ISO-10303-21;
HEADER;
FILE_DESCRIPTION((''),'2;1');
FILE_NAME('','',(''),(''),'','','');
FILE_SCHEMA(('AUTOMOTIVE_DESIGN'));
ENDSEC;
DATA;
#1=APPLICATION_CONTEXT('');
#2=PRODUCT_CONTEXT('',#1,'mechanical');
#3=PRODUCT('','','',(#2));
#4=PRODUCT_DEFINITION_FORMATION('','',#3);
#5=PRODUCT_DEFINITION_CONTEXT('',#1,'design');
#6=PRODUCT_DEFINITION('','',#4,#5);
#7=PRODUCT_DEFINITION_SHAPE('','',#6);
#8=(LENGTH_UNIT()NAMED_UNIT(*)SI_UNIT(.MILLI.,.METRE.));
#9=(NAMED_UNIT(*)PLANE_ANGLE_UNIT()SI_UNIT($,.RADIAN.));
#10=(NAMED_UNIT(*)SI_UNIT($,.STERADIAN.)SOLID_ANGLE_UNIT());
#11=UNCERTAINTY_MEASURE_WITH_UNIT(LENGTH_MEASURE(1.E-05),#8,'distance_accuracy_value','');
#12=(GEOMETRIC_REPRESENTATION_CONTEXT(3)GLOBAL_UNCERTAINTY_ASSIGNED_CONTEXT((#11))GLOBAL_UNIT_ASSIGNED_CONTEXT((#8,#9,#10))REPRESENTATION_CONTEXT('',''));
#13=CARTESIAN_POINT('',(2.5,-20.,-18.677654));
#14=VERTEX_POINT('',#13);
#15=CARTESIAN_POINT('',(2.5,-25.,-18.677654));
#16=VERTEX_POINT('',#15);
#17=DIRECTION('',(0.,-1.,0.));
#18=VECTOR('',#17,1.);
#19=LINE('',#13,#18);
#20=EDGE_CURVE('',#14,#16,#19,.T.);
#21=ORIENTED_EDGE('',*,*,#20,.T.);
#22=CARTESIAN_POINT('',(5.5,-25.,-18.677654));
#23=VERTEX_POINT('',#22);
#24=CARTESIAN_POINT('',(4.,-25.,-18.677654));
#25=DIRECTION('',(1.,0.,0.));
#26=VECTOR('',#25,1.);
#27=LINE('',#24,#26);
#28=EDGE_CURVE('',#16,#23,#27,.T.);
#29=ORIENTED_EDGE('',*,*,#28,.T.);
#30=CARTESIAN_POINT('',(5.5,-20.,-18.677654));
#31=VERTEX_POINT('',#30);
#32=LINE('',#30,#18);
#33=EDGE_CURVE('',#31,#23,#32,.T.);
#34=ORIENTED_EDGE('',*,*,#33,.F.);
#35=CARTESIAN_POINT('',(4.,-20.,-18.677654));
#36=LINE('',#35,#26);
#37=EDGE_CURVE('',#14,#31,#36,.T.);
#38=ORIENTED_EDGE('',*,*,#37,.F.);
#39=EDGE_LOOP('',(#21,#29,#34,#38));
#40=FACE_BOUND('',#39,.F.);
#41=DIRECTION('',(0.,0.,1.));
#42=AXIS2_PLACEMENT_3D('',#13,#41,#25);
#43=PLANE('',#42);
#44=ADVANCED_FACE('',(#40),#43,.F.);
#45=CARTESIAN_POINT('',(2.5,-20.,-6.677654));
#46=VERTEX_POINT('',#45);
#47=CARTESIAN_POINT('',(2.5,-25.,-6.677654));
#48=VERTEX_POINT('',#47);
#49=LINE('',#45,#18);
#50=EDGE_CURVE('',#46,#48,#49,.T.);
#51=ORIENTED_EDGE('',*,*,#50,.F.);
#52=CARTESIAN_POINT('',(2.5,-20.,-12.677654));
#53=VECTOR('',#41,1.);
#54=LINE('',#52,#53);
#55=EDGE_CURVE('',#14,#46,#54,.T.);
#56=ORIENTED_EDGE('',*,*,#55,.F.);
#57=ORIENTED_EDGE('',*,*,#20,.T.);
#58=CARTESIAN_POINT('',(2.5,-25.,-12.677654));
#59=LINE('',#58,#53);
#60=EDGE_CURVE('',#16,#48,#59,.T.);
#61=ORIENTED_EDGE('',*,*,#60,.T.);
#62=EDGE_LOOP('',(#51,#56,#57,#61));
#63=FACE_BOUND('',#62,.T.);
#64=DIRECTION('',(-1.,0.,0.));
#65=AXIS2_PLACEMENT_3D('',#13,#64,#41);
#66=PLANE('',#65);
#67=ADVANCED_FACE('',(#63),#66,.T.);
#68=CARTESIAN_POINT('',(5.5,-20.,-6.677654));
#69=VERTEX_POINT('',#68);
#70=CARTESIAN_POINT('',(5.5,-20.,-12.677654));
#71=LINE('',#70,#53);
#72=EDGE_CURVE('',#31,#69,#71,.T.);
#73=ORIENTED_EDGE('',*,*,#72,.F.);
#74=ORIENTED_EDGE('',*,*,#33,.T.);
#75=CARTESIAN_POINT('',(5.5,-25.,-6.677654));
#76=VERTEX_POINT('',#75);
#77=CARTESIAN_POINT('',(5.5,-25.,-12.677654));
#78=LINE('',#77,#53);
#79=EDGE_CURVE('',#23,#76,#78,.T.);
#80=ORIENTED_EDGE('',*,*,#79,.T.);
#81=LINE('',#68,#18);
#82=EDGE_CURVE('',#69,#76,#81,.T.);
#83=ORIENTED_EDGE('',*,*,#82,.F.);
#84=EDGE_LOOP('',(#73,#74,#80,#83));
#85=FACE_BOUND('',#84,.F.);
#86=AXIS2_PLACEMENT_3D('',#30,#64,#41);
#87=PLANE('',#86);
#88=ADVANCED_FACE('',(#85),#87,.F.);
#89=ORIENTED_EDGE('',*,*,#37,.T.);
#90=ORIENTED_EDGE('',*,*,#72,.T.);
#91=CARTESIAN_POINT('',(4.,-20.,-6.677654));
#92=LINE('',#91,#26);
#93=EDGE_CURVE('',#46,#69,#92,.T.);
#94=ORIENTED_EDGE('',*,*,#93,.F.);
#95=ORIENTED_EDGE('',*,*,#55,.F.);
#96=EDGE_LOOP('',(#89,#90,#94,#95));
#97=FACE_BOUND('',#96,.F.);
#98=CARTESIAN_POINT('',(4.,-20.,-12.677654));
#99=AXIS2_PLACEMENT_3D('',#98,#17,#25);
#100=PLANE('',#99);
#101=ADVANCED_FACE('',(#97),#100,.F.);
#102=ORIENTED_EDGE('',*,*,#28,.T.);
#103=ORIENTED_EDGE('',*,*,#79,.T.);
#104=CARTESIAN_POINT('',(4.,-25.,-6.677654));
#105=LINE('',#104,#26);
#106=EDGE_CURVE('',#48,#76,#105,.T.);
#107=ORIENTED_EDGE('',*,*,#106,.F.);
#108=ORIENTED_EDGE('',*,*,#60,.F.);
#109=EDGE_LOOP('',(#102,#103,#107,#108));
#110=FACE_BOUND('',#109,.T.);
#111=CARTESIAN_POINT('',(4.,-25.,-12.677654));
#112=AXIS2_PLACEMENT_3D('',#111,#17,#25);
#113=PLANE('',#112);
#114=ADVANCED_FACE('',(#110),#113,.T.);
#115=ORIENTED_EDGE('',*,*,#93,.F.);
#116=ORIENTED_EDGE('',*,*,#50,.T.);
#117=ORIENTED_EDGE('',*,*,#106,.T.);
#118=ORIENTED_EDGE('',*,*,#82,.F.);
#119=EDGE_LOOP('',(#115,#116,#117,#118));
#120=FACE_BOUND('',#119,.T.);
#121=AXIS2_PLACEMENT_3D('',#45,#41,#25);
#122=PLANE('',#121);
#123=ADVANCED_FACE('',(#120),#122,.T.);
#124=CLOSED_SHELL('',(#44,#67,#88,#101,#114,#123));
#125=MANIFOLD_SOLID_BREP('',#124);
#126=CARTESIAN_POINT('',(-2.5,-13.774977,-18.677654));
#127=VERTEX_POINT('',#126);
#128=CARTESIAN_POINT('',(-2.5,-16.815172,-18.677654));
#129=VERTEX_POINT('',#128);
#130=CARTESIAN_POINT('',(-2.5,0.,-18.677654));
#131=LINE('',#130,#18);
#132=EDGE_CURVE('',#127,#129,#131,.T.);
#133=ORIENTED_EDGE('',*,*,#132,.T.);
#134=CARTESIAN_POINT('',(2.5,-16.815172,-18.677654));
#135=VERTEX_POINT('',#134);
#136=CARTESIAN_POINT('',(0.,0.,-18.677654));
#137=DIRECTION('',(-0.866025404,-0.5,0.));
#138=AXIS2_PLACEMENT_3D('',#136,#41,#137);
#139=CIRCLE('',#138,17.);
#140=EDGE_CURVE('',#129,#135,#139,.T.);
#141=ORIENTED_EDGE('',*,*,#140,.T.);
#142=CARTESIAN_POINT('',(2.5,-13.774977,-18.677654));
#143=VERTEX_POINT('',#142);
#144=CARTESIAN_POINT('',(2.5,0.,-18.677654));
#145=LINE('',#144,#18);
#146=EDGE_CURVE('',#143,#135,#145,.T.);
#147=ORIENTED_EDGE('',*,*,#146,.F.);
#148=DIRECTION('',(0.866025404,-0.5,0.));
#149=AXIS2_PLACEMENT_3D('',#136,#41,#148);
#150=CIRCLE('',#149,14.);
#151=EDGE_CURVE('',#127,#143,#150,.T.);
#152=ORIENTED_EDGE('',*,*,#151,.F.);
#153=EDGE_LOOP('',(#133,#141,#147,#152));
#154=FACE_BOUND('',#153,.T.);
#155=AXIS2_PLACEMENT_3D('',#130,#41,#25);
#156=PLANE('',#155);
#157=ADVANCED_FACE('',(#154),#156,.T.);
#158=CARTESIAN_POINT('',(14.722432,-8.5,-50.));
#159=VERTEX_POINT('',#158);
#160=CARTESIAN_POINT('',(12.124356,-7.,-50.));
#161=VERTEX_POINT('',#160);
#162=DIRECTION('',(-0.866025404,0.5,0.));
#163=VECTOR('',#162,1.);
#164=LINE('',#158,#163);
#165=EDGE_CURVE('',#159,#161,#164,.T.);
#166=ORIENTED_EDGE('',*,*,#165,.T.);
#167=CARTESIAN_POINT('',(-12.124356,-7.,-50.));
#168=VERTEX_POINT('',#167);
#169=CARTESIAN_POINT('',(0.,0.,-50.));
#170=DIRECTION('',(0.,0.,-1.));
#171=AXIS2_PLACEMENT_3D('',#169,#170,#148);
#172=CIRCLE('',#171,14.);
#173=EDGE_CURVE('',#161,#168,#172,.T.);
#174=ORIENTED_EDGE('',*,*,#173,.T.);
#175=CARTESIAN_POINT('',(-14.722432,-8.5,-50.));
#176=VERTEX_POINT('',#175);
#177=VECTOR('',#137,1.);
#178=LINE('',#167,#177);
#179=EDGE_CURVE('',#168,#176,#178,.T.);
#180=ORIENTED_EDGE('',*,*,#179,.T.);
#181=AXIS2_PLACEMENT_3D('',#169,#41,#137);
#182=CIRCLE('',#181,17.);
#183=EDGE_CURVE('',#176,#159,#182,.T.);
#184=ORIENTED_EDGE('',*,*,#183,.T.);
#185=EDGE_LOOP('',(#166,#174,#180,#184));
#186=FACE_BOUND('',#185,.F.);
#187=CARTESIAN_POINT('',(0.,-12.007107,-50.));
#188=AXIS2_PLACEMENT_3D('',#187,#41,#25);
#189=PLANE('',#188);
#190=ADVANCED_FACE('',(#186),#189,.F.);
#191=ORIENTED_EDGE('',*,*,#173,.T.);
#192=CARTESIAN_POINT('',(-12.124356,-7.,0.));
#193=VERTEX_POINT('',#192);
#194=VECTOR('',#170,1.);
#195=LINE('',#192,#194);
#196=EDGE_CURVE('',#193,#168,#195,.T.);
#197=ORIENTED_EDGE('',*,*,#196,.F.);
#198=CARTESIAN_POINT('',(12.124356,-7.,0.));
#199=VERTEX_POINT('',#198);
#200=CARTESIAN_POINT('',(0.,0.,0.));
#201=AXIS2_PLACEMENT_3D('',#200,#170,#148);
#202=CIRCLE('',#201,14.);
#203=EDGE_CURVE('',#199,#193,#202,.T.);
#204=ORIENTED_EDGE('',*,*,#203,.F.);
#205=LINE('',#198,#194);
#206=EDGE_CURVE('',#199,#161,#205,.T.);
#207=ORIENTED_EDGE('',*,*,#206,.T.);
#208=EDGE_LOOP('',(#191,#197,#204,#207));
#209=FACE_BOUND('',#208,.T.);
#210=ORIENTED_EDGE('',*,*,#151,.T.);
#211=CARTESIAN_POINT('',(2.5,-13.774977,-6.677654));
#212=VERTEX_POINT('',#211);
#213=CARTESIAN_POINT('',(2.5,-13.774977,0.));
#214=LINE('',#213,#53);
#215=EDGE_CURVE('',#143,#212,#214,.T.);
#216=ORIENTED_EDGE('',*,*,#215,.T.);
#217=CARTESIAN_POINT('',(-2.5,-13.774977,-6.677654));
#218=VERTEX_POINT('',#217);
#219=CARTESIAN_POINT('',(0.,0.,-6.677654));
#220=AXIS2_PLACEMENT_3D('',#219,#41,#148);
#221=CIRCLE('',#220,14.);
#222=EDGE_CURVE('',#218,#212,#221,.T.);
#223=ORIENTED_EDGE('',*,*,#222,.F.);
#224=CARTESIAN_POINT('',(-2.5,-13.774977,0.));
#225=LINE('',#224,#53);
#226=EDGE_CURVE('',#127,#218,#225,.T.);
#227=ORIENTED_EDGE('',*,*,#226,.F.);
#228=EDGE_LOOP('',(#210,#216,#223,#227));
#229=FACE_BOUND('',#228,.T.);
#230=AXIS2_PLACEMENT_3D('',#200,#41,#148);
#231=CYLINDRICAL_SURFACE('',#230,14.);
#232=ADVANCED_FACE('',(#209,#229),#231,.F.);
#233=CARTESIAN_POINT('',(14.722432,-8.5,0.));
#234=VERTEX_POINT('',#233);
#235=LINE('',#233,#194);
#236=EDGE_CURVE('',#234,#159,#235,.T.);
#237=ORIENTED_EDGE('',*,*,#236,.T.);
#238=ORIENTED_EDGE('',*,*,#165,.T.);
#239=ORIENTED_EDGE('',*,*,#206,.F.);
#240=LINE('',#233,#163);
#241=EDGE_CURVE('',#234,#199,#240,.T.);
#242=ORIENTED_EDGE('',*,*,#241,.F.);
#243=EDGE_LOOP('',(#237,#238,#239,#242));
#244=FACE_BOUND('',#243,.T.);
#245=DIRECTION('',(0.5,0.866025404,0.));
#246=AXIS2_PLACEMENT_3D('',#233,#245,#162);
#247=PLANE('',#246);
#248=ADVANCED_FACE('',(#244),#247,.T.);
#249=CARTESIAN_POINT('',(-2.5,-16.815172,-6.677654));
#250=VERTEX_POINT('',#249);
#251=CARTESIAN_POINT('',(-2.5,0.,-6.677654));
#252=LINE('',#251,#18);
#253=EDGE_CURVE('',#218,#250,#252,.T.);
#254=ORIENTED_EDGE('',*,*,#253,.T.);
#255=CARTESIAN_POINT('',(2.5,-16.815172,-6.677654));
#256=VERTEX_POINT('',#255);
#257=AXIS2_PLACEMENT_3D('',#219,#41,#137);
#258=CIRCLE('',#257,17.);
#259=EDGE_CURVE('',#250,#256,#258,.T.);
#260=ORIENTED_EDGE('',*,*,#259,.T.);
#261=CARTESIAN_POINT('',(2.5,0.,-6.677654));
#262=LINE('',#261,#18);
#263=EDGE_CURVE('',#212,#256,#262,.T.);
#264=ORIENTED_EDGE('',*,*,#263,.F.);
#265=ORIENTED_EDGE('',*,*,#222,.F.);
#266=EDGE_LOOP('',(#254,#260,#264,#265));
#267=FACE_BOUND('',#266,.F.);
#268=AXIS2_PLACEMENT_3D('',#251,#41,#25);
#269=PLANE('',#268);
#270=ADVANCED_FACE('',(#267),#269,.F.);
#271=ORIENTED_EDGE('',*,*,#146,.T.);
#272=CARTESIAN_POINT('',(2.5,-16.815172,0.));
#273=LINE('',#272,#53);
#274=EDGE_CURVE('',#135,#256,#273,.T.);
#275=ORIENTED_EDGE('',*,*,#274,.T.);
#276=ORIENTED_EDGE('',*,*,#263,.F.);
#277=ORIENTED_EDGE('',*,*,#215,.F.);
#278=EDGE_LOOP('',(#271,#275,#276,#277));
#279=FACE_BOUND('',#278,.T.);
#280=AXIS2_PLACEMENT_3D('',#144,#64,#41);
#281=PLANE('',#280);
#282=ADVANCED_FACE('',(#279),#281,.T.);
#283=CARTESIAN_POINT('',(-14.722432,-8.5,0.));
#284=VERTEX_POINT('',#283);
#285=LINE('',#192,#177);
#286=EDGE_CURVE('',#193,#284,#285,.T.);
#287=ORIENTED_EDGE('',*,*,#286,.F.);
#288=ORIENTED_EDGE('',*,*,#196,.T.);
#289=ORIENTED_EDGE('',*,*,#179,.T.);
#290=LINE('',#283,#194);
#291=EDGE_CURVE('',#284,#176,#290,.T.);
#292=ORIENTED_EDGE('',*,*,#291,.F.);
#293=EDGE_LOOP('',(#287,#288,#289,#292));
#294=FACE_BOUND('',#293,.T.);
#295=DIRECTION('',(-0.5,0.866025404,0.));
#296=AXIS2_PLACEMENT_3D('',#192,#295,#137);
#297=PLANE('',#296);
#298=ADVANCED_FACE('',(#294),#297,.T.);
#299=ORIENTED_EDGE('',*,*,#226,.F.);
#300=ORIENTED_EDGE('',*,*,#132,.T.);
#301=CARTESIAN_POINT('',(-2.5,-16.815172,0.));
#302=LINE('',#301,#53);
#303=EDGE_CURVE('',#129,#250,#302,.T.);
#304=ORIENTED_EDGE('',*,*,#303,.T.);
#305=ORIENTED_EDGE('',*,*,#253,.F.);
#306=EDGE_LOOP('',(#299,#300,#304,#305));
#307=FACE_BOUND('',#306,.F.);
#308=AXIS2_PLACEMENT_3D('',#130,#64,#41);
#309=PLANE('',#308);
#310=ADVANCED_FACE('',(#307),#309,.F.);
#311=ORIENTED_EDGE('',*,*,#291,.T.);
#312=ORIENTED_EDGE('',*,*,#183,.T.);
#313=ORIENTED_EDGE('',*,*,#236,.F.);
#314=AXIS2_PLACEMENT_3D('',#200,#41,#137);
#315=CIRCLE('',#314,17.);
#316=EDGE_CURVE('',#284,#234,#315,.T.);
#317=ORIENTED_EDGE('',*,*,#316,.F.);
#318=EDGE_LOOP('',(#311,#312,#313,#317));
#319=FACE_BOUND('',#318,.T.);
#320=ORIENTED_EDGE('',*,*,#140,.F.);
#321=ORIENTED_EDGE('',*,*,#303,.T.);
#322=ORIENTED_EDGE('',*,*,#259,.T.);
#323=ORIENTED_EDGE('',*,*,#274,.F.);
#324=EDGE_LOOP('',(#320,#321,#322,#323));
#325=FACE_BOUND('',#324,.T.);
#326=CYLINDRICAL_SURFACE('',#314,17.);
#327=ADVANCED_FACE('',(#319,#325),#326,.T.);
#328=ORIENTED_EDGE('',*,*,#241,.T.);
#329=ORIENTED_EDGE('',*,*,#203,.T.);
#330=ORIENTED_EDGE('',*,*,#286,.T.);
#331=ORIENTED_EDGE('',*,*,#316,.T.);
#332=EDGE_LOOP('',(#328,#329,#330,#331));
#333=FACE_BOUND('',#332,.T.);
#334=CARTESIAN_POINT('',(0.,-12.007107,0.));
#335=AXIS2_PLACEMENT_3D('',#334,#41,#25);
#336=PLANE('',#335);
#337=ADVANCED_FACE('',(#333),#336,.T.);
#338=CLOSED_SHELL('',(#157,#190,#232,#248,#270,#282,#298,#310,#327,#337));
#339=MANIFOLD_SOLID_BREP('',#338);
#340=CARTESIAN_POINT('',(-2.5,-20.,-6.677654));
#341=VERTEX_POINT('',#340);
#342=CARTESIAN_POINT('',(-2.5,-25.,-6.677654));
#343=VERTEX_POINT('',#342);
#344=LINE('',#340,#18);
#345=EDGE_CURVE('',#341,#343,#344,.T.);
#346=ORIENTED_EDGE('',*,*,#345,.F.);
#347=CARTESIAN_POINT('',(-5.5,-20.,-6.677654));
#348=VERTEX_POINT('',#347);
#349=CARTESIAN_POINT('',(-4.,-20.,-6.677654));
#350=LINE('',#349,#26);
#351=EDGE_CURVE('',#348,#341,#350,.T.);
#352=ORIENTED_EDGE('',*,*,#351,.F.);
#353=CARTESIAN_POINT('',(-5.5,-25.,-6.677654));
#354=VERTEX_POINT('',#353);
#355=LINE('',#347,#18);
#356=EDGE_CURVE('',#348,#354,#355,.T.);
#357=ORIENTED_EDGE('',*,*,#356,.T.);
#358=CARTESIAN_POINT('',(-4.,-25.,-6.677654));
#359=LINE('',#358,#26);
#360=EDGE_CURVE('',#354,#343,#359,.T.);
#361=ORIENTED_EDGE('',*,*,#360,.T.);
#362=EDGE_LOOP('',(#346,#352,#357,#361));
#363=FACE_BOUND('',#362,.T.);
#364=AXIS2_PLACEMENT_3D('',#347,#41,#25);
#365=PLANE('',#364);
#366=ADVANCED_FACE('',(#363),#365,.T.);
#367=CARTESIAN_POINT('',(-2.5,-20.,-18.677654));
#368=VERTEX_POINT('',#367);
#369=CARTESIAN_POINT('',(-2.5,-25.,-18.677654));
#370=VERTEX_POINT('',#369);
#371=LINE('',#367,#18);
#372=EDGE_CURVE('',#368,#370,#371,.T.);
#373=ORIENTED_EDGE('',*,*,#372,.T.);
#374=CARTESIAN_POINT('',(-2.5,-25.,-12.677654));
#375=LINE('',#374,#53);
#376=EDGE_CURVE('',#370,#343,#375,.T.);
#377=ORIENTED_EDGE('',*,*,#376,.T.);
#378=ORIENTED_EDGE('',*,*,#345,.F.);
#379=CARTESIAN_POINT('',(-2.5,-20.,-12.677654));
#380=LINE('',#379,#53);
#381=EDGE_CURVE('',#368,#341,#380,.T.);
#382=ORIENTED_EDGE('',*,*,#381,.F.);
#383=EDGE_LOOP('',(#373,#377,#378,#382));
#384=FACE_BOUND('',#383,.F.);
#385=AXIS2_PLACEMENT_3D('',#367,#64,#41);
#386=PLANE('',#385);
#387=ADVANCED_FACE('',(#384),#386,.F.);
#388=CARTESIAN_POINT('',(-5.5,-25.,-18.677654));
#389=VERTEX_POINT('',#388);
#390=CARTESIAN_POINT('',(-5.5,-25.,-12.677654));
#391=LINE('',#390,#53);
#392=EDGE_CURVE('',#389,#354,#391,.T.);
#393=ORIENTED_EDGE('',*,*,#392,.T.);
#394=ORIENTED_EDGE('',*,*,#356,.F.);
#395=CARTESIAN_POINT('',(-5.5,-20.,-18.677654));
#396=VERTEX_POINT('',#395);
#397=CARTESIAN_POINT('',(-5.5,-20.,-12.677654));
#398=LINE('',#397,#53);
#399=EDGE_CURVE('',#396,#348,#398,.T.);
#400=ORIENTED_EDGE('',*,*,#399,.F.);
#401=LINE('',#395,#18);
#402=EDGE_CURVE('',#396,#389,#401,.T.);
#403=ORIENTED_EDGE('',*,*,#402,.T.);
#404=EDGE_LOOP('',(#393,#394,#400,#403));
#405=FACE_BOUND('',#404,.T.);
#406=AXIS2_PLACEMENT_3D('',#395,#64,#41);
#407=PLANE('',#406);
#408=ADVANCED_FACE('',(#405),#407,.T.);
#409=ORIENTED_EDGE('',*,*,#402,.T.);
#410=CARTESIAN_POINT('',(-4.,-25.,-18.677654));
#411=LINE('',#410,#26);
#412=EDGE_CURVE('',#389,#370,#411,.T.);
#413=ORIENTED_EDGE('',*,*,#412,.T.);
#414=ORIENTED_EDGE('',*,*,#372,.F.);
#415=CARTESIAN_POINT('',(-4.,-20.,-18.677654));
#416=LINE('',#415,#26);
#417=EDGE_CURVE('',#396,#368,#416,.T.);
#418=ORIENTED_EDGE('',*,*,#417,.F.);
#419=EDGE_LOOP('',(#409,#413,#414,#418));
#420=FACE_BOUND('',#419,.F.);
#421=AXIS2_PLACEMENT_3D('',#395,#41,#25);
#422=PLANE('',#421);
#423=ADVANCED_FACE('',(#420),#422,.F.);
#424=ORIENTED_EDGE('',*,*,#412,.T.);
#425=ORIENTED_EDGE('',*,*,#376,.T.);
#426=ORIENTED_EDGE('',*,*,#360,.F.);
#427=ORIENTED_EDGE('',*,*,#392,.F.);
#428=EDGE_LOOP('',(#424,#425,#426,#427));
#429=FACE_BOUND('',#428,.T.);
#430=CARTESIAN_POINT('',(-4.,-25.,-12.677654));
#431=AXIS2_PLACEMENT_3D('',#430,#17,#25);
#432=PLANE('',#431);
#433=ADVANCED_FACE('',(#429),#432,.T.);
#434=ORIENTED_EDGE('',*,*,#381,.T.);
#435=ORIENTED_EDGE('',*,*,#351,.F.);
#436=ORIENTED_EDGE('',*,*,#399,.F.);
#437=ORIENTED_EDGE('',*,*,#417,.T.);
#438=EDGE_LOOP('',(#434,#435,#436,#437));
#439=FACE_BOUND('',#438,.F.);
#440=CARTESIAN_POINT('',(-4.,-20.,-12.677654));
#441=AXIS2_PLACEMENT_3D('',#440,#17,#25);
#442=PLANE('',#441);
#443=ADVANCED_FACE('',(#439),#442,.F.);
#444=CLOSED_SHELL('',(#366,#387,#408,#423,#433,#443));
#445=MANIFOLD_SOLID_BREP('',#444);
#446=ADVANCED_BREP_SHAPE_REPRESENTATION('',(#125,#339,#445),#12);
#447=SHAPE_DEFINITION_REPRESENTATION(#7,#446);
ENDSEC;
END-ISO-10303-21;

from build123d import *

# Parameters (mm, degrees)
F1_DEPTH = 50
F2_W     = 5
F2_H     = 12
F3_DEPTH = 25
F4_START = 20
F2_W_2   = 3
F4_DEPTH = 5


with BuildPart() as f1:
    # F0 (on Top) → F1 (new body)
    with BuildSketch(Plane.XY):
        with BuildLine():
            ThreePointArc((12.124355653, -7), (0, -14), (-12.124355653, -7))
            Line((-12.124355653, -7), (-14.7224318643, -8.5))
            ThreePointArc((-14.7224318643, -8.5), (0, -17), (14.7224318643, -8.5))
            Line((14.7224318643, -8.5), (12.124355653, -7))
        make_face()
    extrude(amount=-F1_DEPTH)

    # F2 (on Front) → F3 (cut)
    with BuildSketch(Plane.XZ):
        with Locations((0, -12.6776543708)):
            Rectangle(F2_W, F2_H)
    extrude(amount=F3_DEPTH, mode=Mode.SUBTRACT)


with BuildPart() as f4:
    # F2 (on Front) → F4 (new body)
    with BuildSketch(Plane.XZ.offset(F4_START)):
        with Locations((4, -12.6776543708)):
            Rectangle(F2_W_2, F2_H)
    extrude(amount=F4_DEPTH)


with BuildPart() as f4b:
    # F2 (on Front) → F4, piece 2 (new body)
    with BuildSketch(Plane.XZ.offset(F4_START)):
        with Locations((-4, -12.6776543708)):
            Rectangle(F2_W_2, F2_H)
    extrude(amount=F4_DEPTH)


solid = Compound([f1.part, f4.part, f4b.part])
